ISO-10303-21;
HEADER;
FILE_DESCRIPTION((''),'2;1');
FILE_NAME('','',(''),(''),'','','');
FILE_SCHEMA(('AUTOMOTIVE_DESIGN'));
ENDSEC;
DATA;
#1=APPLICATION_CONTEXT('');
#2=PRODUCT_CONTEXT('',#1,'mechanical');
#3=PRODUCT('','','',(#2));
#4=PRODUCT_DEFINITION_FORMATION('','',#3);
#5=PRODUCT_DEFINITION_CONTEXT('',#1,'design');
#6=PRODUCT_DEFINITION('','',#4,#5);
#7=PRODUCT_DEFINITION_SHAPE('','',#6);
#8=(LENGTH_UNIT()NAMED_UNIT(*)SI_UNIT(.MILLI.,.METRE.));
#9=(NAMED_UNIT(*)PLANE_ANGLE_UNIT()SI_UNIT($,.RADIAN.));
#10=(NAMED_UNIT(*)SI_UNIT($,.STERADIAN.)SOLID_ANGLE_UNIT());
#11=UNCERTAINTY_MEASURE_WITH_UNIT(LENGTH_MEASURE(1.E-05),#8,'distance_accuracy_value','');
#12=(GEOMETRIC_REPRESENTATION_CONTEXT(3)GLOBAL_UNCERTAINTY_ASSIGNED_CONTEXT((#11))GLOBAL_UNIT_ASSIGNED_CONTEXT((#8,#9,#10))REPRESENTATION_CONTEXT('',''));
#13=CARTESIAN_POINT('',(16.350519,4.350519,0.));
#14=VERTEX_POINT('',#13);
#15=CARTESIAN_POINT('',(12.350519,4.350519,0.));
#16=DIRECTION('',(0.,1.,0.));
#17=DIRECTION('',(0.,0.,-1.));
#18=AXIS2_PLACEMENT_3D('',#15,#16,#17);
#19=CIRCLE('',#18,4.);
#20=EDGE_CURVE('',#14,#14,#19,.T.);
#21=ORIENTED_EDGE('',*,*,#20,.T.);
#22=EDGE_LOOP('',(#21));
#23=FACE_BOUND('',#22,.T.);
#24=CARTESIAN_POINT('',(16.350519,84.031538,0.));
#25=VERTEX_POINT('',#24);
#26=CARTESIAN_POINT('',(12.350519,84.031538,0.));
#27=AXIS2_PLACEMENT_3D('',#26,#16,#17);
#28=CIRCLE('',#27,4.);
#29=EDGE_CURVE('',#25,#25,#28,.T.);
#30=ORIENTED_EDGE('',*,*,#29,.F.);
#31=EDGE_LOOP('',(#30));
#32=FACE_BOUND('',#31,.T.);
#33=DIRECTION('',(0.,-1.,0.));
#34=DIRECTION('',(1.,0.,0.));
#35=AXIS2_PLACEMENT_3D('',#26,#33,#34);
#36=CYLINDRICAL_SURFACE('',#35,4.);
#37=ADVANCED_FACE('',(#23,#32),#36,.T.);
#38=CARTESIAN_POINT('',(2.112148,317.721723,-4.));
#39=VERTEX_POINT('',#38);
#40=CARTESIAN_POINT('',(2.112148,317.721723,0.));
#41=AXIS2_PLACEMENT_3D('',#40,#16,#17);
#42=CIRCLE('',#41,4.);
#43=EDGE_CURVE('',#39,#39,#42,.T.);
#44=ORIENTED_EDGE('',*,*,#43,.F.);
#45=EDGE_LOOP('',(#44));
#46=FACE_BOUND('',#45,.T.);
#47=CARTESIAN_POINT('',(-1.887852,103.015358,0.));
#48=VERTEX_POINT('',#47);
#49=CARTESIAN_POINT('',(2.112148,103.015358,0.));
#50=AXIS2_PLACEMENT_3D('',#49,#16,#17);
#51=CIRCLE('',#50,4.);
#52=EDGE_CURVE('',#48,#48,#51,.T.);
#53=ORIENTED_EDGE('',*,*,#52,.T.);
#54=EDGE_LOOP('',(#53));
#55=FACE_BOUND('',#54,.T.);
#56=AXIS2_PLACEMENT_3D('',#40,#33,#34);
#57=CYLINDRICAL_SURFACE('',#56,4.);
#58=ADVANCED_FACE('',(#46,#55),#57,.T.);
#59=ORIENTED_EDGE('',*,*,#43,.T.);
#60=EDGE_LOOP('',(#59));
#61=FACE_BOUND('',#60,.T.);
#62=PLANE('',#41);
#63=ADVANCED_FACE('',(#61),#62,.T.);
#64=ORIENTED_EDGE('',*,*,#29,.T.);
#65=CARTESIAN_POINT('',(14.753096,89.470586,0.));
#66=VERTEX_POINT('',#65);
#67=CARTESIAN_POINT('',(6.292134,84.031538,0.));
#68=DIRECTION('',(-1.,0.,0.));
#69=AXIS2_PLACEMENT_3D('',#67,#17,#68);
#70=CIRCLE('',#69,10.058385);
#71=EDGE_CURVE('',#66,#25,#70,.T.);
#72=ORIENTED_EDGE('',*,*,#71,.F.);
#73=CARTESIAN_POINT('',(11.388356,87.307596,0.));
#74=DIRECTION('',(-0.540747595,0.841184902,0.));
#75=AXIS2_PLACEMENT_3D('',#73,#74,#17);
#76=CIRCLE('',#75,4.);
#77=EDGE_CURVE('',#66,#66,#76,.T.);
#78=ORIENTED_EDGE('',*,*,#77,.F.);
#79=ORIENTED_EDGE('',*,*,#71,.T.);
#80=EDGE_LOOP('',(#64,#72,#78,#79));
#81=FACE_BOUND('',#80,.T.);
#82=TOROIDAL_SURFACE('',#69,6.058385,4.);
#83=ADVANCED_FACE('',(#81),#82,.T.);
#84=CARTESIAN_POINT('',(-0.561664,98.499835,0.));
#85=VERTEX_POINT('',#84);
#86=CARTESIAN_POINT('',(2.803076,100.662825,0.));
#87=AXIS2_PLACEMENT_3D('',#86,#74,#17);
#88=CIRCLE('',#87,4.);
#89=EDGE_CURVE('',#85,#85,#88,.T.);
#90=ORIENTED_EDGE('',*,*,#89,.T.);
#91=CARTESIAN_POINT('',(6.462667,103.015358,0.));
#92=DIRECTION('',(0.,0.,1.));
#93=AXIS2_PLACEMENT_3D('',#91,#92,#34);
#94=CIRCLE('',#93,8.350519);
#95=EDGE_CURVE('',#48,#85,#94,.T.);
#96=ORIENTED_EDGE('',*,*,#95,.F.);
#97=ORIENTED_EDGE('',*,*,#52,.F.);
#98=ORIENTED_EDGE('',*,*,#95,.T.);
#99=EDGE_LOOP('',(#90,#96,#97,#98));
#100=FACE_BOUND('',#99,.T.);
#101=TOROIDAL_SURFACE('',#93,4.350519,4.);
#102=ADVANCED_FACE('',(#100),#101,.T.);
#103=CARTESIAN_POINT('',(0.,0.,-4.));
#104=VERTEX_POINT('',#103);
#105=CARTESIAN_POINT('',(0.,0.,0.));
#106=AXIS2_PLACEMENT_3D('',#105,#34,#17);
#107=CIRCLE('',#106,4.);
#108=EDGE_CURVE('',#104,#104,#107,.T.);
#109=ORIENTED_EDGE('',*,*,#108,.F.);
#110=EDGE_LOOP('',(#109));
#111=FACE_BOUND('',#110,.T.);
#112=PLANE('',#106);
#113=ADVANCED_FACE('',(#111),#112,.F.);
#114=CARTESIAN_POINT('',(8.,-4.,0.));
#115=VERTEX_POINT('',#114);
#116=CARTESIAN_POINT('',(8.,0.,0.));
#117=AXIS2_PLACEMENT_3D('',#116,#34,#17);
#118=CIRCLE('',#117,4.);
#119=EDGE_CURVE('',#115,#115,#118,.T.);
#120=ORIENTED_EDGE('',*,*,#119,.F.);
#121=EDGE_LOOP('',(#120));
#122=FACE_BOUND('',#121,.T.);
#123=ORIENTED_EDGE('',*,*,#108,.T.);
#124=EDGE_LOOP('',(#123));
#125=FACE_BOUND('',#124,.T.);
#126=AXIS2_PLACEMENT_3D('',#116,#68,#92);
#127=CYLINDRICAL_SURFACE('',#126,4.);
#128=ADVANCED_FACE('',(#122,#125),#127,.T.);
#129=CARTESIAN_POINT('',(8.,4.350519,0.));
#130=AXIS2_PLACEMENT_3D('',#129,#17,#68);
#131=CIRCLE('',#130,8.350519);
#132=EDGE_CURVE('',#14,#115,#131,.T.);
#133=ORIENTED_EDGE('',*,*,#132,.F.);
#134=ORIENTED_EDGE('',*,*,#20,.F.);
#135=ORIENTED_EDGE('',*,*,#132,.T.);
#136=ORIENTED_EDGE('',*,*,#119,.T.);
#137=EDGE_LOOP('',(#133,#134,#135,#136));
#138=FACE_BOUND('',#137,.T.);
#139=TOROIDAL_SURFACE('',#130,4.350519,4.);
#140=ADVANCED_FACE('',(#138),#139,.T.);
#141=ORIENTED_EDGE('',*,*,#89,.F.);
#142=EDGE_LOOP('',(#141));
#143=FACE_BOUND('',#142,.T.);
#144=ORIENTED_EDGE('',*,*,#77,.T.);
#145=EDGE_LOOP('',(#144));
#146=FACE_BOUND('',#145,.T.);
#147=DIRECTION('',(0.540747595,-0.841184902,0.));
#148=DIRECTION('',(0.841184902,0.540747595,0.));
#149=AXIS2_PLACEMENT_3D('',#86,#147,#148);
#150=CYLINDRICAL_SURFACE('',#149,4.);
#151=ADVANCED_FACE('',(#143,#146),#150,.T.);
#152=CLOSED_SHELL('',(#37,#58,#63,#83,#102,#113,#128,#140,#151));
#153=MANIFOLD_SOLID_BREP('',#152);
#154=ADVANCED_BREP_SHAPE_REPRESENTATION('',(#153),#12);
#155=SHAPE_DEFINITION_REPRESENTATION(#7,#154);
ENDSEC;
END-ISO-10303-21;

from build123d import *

# Parameters (mm, degrees)
SKETCH17_R = 4


with BuildPart() as part:
    # Sweep22: sweep along a path in Sketch3
    with BuildLine(Plane.XY) as sweep22_path:
        Line((0, 0), (8, 0))
        ThreePointArc((8, 0), (11.076281797, 1.274237642), (12.350519439, 4.350519439))
        Line((12.350519439, 4.350519439), (12.350519439, 84.031538443))
        ThreePointArc((12.350519439, 84.031538443), (12.105003941, 85.738751653), (11.388356434, 87.307595544))
        Line((11.388356434, 87.307595544), (2.803075983, 100.662825163))
        ThreePointArc((2.803075983, 100.662825163), (2.288452214, 101.789410198), (2.112147811, 103.015358086))
        Line((2.112147811, 103.015358086), (2.112147811, 317.721722854))
    # Sketch17 → Sweep22 (sweep)
    with BuildSketch(Plane(origin=(0, 0, 0), x_dir=(0, 0, -1), z_dir=(1, 0, 0))):
        Circle(SKETCH17_R)
    sweep(path=sweep22_path.line)


solid = part.part
